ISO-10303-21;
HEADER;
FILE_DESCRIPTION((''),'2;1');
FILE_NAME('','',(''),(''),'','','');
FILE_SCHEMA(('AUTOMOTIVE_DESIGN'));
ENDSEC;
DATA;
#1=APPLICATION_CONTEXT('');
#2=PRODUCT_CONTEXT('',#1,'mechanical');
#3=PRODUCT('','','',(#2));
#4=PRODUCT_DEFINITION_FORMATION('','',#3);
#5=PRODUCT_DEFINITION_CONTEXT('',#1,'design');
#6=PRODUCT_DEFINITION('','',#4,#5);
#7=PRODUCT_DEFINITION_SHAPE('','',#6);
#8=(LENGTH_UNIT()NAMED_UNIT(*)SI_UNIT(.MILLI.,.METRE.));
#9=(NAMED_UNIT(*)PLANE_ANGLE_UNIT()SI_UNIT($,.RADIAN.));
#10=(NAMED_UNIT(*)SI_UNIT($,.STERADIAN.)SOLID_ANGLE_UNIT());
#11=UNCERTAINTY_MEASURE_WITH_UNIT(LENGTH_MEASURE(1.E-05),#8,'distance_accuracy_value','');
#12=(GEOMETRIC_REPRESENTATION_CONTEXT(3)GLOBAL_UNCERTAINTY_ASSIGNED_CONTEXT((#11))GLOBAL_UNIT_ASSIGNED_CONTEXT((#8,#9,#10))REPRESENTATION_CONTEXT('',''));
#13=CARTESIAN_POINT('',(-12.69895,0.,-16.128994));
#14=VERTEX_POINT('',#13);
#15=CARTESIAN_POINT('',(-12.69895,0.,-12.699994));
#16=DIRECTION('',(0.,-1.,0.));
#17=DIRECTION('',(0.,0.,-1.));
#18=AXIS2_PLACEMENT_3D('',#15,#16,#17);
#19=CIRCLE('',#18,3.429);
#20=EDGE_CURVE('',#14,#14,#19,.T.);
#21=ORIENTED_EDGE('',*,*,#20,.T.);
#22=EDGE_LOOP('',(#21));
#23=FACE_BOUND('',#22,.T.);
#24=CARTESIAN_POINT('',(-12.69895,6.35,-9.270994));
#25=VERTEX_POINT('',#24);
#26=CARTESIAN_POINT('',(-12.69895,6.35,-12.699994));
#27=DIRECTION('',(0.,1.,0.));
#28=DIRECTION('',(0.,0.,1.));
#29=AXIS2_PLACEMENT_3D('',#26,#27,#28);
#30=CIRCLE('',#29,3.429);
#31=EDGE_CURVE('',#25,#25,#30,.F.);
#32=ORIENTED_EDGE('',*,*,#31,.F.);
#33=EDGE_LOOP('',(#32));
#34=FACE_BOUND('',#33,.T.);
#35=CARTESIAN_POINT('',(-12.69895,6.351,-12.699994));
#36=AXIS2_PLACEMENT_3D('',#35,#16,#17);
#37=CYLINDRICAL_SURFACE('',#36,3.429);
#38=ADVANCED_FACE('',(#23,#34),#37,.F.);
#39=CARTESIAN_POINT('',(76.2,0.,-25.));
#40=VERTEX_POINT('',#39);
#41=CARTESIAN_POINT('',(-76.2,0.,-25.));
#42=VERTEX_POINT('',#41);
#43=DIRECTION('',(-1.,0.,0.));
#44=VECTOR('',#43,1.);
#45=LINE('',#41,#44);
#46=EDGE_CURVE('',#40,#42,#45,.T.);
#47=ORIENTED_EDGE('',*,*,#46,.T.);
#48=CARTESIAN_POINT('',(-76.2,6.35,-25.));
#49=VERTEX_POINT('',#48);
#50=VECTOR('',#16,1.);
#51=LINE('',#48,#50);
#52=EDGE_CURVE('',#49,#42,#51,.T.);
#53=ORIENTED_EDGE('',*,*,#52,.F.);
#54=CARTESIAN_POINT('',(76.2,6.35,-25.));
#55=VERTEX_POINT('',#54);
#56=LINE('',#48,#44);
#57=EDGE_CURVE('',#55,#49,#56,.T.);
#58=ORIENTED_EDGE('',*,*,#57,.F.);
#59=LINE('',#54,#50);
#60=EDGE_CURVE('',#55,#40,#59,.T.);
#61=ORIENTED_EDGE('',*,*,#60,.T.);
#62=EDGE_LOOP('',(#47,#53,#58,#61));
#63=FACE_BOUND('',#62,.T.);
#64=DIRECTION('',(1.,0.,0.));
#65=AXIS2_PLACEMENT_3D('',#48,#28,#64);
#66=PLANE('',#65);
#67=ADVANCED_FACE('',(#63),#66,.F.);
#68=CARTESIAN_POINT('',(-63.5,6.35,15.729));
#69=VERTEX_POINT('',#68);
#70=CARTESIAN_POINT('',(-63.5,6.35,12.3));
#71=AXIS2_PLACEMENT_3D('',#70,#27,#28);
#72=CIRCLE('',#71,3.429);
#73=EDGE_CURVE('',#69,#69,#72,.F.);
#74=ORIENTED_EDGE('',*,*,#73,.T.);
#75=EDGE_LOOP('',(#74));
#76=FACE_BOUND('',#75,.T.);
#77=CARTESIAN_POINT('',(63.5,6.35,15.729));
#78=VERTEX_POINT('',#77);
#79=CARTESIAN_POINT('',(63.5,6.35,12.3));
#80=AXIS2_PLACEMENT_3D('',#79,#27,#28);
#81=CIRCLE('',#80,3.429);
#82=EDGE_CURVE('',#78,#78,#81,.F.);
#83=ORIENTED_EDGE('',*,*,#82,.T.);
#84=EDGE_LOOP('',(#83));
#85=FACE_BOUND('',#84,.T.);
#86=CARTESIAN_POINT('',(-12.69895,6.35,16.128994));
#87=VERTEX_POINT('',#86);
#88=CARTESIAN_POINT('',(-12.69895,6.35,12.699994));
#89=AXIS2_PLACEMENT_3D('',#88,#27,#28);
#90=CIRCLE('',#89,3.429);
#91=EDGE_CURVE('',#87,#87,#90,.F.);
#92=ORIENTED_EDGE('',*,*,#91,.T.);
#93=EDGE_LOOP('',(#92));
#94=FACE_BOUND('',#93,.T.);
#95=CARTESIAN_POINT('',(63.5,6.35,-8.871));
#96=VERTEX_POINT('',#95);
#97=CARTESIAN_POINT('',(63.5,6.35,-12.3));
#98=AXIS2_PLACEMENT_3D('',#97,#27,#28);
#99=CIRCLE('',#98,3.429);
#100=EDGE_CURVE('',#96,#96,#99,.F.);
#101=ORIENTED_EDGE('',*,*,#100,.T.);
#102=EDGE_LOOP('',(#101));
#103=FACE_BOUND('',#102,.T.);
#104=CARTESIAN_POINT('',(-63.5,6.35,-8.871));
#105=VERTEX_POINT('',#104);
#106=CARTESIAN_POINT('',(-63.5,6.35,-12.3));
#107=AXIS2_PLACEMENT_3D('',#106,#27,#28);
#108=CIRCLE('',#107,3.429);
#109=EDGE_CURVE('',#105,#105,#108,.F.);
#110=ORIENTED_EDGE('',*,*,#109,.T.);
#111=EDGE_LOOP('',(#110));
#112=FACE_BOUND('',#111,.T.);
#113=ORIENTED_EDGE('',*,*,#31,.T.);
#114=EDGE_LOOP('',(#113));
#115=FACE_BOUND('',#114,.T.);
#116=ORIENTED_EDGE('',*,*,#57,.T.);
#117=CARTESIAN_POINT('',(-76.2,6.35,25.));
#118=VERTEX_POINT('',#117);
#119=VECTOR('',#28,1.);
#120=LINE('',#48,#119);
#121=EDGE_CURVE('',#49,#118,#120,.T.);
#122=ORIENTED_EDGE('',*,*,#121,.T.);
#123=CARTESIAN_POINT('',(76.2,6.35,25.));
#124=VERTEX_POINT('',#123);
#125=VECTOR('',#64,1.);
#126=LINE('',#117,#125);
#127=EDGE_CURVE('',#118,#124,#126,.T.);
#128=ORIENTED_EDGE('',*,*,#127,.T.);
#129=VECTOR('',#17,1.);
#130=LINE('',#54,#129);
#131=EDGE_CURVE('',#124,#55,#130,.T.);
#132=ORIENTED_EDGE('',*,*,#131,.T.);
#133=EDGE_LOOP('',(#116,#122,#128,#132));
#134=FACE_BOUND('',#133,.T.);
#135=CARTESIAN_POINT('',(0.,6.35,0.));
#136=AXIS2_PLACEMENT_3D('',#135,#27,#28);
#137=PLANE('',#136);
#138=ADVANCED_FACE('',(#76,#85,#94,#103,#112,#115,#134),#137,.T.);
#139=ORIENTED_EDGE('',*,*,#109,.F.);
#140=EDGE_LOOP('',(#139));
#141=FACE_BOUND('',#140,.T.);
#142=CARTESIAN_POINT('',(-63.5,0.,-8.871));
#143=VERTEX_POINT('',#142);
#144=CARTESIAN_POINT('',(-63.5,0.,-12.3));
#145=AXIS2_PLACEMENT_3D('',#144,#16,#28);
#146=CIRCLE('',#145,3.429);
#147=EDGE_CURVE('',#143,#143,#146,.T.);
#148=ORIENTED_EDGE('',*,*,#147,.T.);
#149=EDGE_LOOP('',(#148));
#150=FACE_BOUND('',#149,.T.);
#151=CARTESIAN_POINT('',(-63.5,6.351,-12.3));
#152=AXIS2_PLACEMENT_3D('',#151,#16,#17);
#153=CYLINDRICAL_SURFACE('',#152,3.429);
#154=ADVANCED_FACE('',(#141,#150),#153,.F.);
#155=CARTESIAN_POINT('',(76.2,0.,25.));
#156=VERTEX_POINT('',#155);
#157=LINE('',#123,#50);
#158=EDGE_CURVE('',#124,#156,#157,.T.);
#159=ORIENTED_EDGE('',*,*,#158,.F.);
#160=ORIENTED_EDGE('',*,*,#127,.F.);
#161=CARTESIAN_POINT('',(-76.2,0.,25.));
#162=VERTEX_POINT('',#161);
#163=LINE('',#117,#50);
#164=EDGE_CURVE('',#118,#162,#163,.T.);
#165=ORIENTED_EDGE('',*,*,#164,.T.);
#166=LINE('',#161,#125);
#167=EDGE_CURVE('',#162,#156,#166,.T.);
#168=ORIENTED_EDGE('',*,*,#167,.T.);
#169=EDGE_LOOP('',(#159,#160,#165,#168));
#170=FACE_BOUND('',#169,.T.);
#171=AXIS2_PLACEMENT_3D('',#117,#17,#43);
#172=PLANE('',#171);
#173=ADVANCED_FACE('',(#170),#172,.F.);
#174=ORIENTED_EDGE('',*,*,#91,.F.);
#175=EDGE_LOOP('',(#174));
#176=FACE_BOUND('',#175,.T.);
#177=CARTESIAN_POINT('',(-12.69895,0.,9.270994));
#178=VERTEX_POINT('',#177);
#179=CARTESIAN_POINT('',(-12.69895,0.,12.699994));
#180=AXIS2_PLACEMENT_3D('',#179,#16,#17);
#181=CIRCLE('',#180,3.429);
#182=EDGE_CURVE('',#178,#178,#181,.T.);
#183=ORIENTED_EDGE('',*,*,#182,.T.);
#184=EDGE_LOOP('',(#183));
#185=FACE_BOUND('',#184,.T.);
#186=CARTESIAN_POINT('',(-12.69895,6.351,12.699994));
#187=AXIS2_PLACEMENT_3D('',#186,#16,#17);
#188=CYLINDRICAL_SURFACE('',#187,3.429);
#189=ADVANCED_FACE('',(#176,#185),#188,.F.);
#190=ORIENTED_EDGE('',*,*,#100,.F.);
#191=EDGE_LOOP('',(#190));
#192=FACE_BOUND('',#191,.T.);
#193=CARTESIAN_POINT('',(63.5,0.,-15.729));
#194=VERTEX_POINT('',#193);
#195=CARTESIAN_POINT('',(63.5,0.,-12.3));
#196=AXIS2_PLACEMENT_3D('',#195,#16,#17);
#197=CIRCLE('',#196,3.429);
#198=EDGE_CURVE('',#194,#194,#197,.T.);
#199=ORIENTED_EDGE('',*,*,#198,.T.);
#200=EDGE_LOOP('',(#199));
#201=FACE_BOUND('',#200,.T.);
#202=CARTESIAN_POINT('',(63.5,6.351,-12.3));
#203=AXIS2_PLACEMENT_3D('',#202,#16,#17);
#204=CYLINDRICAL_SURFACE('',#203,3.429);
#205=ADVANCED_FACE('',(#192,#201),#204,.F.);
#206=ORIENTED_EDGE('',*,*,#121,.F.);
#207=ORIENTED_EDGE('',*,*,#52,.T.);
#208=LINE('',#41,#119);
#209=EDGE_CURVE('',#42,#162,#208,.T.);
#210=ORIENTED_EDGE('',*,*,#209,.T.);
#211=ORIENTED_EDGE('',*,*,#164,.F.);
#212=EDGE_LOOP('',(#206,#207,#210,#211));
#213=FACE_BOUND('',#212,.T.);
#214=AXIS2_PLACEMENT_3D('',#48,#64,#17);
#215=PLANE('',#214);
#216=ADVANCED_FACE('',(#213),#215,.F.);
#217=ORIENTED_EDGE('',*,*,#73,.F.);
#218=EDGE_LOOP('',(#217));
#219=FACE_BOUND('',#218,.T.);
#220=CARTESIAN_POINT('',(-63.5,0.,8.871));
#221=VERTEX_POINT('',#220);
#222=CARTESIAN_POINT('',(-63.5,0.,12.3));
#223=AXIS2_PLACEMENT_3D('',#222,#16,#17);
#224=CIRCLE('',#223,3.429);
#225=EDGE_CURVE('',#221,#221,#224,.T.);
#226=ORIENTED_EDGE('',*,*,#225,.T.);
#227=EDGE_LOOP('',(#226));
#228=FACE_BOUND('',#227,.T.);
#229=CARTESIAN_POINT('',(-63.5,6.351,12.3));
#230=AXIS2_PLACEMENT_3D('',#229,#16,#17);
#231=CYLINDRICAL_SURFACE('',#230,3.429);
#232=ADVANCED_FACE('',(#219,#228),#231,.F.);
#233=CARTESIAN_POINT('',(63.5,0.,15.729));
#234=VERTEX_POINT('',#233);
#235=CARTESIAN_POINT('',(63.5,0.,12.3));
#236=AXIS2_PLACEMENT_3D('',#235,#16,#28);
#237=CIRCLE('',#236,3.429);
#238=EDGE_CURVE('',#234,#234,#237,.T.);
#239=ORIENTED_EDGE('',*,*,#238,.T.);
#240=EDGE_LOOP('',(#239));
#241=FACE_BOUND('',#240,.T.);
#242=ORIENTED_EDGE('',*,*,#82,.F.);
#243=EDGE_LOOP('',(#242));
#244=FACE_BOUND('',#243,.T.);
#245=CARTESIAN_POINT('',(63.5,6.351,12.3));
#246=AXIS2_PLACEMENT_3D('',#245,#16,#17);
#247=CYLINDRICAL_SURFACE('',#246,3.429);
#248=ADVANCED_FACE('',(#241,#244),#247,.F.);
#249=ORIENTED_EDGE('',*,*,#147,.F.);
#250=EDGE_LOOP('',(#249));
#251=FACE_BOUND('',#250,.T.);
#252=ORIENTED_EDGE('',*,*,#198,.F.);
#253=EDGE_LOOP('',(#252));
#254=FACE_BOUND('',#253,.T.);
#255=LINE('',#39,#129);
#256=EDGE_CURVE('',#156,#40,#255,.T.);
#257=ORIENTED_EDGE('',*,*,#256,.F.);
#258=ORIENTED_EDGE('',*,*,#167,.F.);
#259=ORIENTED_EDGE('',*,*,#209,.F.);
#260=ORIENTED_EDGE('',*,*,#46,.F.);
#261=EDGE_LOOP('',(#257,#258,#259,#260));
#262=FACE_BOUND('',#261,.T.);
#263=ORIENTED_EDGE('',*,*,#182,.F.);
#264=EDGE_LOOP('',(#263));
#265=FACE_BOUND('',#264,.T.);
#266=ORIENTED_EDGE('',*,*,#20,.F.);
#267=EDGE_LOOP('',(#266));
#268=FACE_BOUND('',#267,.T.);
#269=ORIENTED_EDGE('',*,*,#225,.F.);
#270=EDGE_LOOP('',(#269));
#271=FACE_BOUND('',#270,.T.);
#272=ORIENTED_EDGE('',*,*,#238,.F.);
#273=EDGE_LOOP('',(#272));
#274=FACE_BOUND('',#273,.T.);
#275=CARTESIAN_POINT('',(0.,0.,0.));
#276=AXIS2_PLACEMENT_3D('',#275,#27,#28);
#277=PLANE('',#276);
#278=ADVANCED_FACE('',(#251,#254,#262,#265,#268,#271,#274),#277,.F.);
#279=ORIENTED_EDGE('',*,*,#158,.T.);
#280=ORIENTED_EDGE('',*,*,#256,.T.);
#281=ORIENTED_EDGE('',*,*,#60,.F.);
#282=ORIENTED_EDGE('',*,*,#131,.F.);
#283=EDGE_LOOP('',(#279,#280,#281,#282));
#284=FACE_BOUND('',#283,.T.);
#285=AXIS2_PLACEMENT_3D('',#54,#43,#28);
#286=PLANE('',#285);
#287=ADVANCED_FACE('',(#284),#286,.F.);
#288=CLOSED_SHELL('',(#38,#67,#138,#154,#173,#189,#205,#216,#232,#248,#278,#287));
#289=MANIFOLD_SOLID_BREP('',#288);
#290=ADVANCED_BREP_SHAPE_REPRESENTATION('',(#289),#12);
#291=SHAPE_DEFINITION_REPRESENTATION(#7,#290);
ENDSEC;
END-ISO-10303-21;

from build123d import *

# Parameters (mm, degrees)
SKETCH1_W           = 152.4
SKETCH1_H           = 50
BOSS_EXTRUDE1_DEPTH = 6.35
CUT_EXTRUDE2_REACH  = 82.447
SKETCH3_R           = 3.429


with BuildPart() as part:
    # Sketch1 → Boss-Extrude1 (new body)
    with BuildSketch(Plane(origin=(0, 0, 0), x_dir=(1, 0, 0), z_dir=(0, 1, 0))):
        Rectangle(SKETCH1_W, SKETCH1_H)
    extrude(amount=BOSS_EXTRUDE1_DEPTH)

    # Sketch3 → Cut-Extrude2 (cut, up to next)
    with BuildSketch(Plane.XZ, mode=Mode.PRIVATE) as cut_extrude2_sk1:
        with Locations(Location((-63.5, 12.3, 0), (0, 0, 270))):
            Circle(SKETCH3_R)
    cut_extrude2_tool1 = extrude(cut_extrude2_sk1.sketch, amount=-CUT_EXTRUDE2_REACH, mode=Mode.PRIVATE) & part.part
    # Sketch3 → Cut-Extrude2 (cut, up to next)
    with BuildSketch(Plane.XZ, mode=Mode.PRIVATE) as cut_extrude2_sk2:
        with Locations(Location((-63.5, -12.3, 0), (0, 0, 90))):
            Circle(SKETCH3_R)
    cut_extrude2_tool2 = extrude(cut_extrude2_sk2.sketch, amount=-CUT_EXTRUDE2_REACH, mode=Mode.PRIVATE) & part.part
    # Sketch3 → Cut-Extrude2 (cut, up to next)
    with BuildSketch(Plane.XZ, mode=Mode.PRIVATE) as cut_extrude2_sk3:
        with Locations(Location((63.5, 12.3, 0), (0, 0, 90))):
            Circle(SKETCH3_R)
    cut_extrude2_tool3 = extrude(cut_extrude2_sk3.sketch, amount=-CUT_EXTRUDE2_REACH, mode=Mode.PRIVATE) & part.part
    # Sketch3 → Cut-Extrude2 (cut, up to next)
    with BuildSketch(Plane.XZ, mode=Mode.PRIVATE) as cut_extrude2_sk4:
        with Locations(Location((63.5, -12.3, 0), (0, 0, 270))):
            Circle(SKETCH3_R)
    cut_extrude2_tool4 = extrude(cut_extrude2_sk4.sketch, amount=-CUT_EXTRUDE2_REACH, mode=Mode.PRIVATE) & part.part
    # Sketch3 → Cut-Extrude2 (cut, up to next)
    with BuildSketch(Plane.XZ, mode=Mode.PRIVATE) as cut_extrude2_sk5:
        with Locations(Location((-12.698950153, 12.699994489, 0), (0, 0, 270))):
            Circle(SKETCH3_R)
    cut_extrude2_tool5 = extrude(cut_extrude2_sk5.sketch, amount=-CUT_EXTRUDE2_REACH, mode=Mode.PRIVATE) & part.part
    # Sketch3 → Cut-Extrude2 (cut, up to next)
    with BuildSketch(Plane.XZ, mode=Mode.PRIVATE) as cut_extrude2_sk6:
        with Locations(Location((-12.698950153, -12.699994489, 0), (0, 0, 270))):
            Circle(SKETCH3_R)
    cut_extrude2_tool6 = extrude(cut_extrude2_sk6.sketch, amount=-CUT_EXTRUDE2_REACH, mode=Mode.PRIVATE) & part.part
    add(cut_extrude2_tool1.solids().sort_by_distance((-63.5, 0, 12.3))[0], mode=Mode.SUBTRACT)
    add(cut_extrude2_tool2.solids().sort_by_distance((-63.5, 0, -12.3))[0], mode=Mode.SUBTRACT)
    add(cut_extrude2_tool3.solids().sort_by_distance((63.5, 0, 12.3))[0], mode=Mode.SUBTRACT)
    add(cut_extrude2_tool4.solids().sort_by_distance((63.5, 0, -12.3))[0], mode=Mode.SUBTRACT)
    add(cut_extrude2_tool5.solids().sort_by_distance((-12.69895, 0, 12.699994))[0], mode=Mode.SUBTRACT)
    add(cut_extrude2_tool6.solids().sort_by_distance((-12.69895, 0, -12.699994))[0], mode=Mode.SUBTRACT)


solid = part.part
